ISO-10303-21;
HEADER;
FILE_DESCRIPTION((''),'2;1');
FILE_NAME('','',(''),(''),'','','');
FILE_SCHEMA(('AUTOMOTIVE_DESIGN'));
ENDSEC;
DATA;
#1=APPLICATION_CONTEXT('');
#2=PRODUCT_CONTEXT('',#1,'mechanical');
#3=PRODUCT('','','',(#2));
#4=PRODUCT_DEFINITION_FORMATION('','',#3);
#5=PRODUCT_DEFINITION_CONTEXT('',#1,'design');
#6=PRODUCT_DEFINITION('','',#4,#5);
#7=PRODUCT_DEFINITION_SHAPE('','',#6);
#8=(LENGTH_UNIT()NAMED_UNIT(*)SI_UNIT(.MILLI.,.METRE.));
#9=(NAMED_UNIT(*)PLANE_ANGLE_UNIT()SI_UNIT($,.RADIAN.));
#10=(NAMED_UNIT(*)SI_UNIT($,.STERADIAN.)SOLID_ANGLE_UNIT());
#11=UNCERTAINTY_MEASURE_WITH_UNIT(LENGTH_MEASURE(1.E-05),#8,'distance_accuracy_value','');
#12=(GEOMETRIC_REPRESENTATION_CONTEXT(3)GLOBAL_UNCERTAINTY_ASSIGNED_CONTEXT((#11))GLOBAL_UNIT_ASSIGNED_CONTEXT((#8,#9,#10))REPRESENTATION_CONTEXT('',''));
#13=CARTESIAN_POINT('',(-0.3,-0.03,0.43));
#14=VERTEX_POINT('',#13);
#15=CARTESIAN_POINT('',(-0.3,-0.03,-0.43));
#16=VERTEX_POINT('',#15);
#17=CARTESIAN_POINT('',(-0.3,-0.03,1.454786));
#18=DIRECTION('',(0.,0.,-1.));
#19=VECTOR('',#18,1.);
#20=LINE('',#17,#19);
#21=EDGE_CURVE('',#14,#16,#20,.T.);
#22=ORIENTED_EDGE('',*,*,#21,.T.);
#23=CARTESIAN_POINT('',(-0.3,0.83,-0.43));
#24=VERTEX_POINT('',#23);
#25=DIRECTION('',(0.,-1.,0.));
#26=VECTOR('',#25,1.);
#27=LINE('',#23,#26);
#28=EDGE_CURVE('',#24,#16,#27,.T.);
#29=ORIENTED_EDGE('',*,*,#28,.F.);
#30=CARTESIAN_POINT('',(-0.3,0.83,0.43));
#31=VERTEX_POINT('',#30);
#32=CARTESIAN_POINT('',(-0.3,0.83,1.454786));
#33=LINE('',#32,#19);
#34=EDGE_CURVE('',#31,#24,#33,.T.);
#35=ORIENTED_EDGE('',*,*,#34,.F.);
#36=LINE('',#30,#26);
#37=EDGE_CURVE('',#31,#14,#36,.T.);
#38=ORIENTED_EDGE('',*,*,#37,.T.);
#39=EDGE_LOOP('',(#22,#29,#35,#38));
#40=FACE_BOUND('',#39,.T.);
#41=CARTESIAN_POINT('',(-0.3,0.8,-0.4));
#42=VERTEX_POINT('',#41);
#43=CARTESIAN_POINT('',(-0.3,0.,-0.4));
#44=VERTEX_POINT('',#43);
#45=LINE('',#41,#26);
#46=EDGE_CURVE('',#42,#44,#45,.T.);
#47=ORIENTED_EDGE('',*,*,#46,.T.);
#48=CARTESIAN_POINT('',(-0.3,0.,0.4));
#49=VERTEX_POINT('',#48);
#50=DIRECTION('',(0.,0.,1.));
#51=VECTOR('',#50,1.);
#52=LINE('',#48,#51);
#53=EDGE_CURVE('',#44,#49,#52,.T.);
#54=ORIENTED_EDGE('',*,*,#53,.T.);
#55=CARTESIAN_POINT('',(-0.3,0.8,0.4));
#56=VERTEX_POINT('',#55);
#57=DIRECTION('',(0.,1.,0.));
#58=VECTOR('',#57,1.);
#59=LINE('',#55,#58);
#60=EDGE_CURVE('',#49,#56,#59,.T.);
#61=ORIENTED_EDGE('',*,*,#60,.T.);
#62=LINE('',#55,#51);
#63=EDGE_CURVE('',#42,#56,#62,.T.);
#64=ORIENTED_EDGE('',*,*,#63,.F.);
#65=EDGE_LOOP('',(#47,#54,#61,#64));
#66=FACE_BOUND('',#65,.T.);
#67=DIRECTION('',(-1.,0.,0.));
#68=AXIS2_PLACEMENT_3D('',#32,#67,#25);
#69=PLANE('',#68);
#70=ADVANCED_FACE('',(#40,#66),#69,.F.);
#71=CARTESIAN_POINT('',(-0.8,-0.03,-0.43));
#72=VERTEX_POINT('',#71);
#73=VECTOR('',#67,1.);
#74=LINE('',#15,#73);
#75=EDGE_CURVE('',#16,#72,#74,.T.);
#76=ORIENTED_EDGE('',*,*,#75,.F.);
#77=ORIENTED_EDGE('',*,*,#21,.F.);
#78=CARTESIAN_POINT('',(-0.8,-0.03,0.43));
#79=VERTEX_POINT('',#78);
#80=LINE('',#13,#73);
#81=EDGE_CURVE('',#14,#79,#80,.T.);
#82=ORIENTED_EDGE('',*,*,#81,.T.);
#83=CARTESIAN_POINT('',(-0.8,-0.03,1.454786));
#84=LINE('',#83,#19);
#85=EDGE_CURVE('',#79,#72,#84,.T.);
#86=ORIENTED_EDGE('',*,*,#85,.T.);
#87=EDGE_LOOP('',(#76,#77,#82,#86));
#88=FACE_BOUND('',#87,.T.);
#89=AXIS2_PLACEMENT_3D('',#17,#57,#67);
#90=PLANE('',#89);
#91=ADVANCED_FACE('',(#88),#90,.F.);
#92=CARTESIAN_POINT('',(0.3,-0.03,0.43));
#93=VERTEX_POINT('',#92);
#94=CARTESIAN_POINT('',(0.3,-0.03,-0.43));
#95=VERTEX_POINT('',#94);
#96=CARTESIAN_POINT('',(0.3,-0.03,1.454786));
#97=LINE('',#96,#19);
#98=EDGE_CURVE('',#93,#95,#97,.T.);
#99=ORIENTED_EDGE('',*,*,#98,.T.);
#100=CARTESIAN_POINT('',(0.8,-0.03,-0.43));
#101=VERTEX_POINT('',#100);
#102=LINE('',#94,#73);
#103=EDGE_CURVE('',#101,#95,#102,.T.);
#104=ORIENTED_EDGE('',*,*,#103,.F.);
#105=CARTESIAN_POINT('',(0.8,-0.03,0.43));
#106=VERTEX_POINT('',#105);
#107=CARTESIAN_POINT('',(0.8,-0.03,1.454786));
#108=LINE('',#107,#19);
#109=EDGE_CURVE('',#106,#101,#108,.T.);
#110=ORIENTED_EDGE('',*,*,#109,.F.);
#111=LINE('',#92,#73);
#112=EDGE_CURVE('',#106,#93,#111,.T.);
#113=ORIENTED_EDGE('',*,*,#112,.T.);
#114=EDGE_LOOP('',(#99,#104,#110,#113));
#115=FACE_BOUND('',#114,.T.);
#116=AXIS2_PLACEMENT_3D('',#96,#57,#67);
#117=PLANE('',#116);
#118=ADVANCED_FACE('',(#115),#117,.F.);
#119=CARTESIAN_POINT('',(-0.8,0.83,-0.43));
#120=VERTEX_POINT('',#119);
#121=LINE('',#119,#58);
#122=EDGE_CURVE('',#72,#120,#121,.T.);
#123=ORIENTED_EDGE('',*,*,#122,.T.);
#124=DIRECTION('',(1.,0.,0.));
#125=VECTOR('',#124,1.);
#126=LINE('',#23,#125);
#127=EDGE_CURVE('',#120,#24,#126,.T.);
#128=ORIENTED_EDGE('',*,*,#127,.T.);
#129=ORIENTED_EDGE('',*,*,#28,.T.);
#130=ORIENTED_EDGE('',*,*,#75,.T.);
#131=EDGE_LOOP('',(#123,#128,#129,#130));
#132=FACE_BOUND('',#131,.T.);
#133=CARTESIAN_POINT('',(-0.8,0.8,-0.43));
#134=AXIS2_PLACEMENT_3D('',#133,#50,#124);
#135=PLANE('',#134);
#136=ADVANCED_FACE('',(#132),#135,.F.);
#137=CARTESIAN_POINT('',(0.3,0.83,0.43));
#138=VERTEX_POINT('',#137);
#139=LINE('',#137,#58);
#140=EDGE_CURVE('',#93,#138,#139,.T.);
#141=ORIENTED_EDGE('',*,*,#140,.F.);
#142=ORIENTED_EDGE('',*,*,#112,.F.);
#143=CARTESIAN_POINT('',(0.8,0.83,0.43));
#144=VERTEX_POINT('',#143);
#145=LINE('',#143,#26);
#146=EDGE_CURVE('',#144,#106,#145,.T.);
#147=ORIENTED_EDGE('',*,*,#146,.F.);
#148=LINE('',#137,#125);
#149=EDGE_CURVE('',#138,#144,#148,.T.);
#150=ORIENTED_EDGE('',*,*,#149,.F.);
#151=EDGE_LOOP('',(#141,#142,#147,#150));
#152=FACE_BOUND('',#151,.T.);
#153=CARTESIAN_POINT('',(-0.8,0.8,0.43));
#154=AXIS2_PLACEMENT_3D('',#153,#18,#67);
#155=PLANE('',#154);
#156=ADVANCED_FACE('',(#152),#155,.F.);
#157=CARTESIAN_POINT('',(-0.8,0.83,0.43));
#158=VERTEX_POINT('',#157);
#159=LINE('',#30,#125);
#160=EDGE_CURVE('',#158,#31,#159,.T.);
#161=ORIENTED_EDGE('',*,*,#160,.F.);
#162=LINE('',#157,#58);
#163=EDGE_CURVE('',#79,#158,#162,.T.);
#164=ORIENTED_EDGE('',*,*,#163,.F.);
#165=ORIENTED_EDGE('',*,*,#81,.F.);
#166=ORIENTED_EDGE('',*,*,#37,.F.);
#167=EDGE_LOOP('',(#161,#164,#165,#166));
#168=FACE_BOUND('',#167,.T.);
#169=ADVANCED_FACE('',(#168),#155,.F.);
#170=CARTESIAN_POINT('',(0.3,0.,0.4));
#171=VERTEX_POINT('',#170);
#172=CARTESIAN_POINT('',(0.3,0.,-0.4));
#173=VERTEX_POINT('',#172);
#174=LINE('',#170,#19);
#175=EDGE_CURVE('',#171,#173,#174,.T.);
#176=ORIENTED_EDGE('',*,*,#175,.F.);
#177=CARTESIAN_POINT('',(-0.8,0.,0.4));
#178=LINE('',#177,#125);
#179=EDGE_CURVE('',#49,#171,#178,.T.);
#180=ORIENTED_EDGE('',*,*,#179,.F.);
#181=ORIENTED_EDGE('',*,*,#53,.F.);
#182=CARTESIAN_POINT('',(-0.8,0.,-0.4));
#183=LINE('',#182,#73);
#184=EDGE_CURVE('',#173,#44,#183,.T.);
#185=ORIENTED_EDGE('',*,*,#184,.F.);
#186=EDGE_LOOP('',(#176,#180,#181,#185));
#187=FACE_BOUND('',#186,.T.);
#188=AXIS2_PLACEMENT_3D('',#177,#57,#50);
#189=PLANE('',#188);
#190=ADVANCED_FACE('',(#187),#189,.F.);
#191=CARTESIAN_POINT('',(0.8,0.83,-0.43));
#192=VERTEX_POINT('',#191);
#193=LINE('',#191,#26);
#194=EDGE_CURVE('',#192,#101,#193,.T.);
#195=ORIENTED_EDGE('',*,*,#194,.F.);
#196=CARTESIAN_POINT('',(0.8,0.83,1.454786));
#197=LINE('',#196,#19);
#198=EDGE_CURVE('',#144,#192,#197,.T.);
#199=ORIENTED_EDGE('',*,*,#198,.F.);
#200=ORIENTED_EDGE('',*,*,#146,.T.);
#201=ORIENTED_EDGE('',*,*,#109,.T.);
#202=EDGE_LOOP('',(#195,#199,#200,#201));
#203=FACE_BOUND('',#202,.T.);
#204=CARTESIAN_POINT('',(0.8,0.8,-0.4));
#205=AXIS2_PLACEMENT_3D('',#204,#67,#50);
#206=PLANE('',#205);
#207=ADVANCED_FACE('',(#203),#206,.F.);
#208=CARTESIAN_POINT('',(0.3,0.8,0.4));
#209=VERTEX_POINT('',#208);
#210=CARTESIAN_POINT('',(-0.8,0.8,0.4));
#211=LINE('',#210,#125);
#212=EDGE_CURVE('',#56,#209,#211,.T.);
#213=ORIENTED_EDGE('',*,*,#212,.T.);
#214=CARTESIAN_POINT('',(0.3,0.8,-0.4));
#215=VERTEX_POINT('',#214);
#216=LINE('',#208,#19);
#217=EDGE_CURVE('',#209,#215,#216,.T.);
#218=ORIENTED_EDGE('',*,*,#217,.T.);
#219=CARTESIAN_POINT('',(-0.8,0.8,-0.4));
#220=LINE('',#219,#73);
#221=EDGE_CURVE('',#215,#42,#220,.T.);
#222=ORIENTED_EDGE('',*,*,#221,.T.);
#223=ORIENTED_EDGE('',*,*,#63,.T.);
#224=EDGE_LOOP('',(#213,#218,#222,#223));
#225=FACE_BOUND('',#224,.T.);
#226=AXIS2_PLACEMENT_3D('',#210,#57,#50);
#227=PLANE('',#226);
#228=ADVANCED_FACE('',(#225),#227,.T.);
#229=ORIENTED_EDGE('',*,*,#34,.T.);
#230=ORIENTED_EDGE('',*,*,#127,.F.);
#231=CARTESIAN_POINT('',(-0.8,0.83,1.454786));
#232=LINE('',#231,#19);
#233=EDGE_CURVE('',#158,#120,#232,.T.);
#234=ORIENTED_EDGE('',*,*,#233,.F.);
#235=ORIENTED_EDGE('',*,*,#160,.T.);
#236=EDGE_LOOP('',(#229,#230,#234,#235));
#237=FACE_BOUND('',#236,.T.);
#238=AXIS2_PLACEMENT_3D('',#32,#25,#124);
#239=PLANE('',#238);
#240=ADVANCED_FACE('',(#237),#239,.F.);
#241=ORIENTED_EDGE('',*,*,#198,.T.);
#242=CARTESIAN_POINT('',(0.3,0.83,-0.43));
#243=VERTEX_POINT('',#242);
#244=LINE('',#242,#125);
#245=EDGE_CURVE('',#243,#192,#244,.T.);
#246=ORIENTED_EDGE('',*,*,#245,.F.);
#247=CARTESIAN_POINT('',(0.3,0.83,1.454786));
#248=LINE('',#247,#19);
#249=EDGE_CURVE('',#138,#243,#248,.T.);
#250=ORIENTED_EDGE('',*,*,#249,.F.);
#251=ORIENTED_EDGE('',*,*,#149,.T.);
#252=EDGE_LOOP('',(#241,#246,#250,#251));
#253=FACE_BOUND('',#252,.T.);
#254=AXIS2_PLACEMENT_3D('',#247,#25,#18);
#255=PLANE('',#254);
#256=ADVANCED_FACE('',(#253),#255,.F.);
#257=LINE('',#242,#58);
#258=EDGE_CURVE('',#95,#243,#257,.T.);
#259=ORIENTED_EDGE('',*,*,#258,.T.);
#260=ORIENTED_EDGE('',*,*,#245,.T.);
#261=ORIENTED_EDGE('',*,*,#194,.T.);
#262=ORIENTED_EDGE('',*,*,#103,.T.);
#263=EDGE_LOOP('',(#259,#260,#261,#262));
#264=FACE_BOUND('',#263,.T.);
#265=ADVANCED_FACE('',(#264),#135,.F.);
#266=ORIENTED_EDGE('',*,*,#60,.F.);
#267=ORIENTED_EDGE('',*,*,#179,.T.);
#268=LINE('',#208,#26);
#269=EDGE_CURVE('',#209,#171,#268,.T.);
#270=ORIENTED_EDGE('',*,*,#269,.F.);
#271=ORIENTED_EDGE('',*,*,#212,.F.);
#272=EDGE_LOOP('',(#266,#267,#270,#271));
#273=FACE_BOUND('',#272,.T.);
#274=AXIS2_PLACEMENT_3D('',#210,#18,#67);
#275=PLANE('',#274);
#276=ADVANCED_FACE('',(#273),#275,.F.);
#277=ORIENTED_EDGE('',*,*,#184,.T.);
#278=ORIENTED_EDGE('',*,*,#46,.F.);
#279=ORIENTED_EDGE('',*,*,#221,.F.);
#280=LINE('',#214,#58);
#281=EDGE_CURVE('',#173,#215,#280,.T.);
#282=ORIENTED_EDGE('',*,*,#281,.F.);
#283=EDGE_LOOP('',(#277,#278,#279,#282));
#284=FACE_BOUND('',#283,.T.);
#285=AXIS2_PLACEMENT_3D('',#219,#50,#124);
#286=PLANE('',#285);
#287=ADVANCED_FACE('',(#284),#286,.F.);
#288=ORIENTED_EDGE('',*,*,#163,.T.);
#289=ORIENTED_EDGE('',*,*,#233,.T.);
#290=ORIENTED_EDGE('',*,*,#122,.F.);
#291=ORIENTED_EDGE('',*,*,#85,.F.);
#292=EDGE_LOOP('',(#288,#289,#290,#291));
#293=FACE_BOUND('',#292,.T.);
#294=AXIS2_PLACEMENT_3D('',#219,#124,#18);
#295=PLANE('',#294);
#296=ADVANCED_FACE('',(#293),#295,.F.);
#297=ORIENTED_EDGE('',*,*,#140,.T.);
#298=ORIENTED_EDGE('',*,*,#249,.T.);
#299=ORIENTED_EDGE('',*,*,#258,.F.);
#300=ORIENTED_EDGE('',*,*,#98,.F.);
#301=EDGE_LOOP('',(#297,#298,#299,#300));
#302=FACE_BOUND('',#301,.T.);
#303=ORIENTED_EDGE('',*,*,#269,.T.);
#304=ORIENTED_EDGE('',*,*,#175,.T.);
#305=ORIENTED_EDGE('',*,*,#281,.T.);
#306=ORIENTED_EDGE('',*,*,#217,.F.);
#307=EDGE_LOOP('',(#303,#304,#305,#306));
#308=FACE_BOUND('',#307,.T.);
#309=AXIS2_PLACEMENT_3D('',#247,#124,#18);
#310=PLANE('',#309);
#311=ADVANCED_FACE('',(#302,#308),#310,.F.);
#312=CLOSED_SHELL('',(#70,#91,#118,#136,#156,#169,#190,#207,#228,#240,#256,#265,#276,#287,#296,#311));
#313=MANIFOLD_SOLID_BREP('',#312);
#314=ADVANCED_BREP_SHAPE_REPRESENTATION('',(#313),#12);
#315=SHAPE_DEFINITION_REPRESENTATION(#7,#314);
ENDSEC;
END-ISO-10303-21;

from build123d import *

# Parameters (mm, degrees)
SKETCH1_W           = 1.6
SKETCH1_H           = 0.8
EXTRUDE1_DEPTH      = 0.8
SKETCH2_W           = 0.5
SKETCH2_H           = 0.86
EXTRUDE2_DEPTH      = 0.43
EXTRUDE2_DEPTH_BACK = 0.43


with BuildPart() as part:
    # Sketch1 → Extrude1 (new body)
    with BuildSketch(Plane(origin=(0, 0, 0), x_dir=(1, 0, 0), z_dir=(0, 1, 0))):
        Rectangle(SKETCH1_W, SKETCH1_H)
    extrude(amount=EXTRUDE1_DEPTH)

    # Sketch2 → Extrude2 (add, two sides)
    with BuildSketch(Plane.XY) as extrude2_sk:
        with Locations((-0.55, 0.4)):
            Rectangle(SKETCH2_W, SKETCH2_H)
        with Locations((0.55, 0.4)):
            Rectangle(SKETCH2_W, SKETCH2_H)
    extrude(amount=EXTRUDE2_DEPTH)
    extrude(extrude2_sk.sketch, amount=-EXTRUDE2_DEPTH_BACK)


solid = part.part
